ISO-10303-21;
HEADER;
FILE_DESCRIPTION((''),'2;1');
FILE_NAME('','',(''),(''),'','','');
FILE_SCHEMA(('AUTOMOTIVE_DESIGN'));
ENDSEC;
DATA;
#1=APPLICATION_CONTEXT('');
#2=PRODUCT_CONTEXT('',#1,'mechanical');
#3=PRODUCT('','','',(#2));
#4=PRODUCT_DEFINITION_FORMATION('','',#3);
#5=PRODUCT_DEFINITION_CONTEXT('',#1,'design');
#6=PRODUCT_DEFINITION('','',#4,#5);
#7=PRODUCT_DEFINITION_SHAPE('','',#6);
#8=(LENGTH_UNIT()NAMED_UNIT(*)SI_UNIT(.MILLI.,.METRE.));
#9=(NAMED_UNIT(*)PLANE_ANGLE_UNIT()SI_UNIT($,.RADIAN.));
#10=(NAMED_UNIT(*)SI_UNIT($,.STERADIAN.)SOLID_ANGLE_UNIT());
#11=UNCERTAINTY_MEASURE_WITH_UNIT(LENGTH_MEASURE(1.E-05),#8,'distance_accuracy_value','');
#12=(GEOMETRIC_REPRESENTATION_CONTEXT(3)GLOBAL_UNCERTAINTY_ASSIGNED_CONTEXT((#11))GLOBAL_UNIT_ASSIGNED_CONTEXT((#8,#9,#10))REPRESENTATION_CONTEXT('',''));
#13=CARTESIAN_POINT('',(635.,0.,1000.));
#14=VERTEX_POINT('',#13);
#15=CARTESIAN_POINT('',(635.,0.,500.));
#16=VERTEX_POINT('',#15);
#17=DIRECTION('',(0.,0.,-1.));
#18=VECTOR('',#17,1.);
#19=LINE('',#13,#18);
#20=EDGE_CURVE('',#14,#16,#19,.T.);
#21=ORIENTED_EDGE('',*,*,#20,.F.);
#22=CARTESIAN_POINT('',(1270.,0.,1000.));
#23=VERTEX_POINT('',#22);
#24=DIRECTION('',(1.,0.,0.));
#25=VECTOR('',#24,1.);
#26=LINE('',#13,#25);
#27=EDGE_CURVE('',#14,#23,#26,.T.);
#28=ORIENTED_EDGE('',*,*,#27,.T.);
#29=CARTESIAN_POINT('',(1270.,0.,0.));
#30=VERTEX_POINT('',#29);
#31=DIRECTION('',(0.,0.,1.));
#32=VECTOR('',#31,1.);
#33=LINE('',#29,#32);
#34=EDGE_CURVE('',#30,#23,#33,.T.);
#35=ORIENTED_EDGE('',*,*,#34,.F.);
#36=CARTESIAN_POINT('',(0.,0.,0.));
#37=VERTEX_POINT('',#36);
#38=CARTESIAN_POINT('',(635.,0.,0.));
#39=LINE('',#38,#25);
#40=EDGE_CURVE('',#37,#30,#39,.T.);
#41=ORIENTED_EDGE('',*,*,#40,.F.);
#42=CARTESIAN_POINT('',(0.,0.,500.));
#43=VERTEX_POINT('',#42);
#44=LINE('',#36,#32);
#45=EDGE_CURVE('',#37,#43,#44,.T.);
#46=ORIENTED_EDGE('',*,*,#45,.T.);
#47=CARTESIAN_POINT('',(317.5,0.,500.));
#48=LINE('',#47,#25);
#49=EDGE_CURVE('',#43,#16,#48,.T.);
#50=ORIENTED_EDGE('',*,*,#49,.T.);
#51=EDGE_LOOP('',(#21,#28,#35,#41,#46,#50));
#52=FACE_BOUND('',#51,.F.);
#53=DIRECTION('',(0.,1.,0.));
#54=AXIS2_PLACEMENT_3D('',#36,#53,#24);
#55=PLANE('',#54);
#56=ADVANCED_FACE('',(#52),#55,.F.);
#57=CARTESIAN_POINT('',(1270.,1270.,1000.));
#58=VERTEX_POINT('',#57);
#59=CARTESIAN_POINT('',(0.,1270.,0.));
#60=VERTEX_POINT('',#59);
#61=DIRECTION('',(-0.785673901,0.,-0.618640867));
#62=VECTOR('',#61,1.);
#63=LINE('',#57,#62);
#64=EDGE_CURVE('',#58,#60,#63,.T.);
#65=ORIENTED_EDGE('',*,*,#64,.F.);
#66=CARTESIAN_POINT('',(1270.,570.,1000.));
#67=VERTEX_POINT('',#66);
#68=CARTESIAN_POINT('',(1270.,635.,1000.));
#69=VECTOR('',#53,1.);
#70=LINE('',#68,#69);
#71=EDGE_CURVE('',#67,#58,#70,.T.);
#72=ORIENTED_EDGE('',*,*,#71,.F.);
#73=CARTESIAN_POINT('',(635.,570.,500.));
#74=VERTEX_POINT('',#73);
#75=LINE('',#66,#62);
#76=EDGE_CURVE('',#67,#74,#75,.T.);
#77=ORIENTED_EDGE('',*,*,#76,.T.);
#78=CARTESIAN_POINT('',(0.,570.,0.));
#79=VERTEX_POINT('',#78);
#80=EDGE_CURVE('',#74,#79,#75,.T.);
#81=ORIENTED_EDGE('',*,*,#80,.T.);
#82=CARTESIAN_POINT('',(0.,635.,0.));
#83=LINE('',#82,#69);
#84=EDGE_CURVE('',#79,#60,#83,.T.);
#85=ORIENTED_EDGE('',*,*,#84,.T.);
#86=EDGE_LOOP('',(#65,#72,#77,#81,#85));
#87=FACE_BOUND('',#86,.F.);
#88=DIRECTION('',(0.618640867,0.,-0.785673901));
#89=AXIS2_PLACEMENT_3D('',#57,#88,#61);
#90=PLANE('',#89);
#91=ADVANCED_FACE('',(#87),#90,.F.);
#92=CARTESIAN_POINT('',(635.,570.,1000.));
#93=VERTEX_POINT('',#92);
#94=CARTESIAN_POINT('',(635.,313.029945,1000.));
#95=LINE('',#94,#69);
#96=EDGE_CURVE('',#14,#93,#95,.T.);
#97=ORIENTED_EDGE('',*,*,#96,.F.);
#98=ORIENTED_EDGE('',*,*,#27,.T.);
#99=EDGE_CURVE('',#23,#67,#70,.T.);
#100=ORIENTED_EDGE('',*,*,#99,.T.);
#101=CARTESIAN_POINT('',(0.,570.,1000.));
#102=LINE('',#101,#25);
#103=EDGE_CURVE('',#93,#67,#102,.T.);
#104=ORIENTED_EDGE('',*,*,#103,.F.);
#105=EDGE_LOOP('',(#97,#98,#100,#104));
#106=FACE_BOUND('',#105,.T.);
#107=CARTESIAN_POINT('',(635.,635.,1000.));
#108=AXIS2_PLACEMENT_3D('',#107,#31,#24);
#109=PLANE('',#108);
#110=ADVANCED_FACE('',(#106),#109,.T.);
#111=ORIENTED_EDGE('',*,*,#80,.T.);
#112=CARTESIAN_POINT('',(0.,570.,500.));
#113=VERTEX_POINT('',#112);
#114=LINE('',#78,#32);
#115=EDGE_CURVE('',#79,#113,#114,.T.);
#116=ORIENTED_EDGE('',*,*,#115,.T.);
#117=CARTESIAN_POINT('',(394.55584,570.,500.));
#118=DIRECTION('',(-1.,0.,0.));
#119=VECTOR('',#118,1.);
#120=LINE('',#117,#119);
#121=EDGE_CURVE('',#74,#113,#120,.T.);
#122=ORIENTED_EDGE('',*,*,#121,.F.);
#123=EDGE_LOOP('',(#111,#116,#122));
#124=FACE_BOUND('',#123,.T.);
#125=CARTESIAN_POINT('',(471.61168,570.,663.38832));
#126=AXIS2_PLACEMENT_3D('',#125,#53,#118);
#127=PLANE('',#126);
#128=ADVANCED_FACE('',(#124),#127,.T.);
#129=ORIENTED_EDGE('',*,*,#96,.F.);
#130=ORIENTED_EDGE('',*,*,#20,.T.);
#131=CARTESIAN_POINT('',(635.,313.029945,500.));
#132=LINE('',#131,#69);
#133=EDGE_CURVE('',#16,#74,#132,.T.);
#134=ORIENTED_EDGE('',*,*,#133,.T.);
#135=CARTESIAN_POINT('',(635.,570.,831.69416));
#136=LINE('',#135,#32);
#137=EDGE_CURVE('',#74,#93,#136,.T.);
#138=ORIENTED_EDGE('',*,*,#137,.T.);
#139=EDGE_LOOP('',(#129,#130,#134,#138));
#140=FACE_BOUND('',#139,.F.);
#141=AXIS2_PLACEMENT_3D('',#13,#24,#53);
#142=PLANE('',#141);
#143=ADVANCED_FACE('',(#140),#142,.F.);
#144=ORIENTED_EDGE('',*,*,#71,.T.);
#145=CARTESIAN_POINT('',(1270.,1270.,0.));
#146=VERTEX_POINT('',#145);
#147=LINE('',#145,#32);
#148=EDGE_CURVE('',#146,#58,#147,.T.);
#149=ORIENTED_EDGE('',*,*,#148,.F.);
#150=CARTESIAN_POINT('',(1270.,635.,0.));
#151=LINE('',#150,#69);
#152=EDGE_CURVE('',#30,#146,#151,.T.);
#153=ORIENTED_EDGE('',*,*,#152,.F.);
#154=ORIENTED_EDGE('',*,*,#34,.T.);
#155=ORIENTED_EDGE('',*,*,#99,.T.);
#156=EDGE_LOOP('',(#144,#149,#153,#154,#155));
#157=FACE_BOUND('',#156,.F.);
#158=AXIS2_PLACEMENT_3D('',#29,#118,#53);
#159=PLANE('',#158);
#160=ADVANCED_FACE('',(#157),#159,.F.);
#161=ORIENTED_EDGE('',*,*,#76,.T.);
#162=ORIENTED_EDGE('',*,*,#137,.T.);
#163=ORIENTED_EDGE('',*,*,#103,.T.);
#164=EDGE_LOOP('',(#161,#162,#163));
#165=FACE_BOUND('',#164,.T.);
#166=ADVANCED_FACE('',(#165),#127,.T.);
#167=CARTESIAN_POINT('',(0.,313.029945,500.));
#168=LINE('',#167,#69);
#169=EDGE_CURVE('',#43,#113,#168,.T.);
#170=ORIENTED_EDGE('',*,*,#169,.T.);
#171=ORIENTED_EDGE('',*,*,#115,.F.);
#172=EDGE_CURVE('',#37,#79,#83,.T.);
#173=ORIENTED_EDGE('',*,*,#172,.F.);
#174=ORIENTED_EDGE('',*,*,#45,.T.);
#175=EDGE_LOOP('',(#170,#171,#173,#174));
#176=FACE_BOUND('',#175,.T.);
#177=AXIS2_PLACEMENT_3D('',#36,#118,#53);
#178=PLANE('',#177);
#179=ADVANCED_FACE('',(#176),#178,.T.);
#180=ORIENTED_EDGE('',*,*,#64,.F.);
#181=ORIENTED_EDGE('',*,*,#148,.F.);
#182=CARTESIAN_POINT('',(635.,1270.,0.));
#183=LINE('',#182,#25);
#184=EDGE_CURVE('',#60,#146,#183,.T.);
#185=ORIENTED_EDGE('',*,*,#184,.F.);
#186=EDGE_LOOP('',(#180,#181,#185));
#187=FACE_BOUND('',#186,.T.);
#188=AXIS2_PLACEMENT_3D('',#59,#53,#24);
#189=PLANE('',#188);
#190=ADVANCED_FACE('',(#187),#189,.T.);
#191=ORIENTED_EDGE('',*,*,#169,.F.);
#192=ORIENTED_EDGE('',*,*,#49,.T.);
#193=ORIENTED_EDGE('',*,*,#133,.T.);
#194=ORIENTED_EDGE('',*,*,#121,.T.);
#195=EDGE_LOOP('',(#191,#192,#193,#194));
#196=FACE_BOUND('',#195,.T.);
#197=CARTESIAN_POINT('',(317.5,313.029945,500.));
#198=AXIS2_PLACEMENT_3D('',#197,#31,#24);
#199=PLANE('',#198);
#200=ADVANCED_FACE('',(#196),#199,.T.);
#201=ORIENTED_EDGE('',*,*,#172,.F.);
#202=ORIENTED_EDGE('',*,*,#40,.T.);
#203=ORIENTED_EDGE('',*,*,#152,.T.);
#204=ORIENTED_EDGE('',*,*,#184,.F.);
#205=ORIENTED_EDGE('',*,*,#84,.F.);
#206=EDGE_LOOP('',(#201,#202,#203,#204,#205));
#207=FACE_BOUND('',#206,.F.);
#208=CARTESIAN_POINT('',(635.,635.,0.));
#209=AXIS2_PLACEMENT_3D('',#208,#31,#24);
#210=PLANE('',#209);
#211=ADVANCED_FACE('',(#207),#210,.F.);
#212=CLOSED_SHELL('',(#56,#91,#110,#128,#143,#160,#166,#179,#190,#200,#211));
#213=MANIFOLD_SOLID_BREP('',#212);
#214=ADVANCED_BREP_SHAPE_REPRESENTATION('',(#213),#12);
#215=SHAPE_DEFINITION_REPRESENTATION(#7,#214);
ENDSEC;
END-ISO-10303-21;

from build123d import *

# Parameters (mm, degrees)
F0_W     = 1270
F0_H     = 1270
F1_DEPTH = 1000
F2_W     = 635
F2_H     = 626.05989
F3_DEPTH = 500
F5_DEPTH = 700


with BuildPart() as f1:
    # F0 (on Top) → F1 (new body)
    with BuildSketch(Plane.XY):
        with Locations((635, 635)):
            Rectangle(F0_W, F0_H)
    extrude(amount=F1_DEPTH)

    # F2 (on face) → F3 (cut)
    with BuildSketch(Plane.XY.offset(1000)):
        with Locations((317.5, 313.029945)):
            Rectangle(F2_W, F2_H)
    extrude(amount=-F3_DEPTH, mode=Mode.SUBTRACT)

    # F4 (on face) → F5 (cut)
    with BuildSketch(Plane(origin=(0, 1270, 0), x_dir=(-1, 0, 0), z_dir=(0, 1, 0))):
        Polygon((0, 1000), (-1270, 1000), (0, 0), align=None)
    extrude(amount=-F5_DEPTH, mode=Mode.SUBTRACT)


solid = f1.part
